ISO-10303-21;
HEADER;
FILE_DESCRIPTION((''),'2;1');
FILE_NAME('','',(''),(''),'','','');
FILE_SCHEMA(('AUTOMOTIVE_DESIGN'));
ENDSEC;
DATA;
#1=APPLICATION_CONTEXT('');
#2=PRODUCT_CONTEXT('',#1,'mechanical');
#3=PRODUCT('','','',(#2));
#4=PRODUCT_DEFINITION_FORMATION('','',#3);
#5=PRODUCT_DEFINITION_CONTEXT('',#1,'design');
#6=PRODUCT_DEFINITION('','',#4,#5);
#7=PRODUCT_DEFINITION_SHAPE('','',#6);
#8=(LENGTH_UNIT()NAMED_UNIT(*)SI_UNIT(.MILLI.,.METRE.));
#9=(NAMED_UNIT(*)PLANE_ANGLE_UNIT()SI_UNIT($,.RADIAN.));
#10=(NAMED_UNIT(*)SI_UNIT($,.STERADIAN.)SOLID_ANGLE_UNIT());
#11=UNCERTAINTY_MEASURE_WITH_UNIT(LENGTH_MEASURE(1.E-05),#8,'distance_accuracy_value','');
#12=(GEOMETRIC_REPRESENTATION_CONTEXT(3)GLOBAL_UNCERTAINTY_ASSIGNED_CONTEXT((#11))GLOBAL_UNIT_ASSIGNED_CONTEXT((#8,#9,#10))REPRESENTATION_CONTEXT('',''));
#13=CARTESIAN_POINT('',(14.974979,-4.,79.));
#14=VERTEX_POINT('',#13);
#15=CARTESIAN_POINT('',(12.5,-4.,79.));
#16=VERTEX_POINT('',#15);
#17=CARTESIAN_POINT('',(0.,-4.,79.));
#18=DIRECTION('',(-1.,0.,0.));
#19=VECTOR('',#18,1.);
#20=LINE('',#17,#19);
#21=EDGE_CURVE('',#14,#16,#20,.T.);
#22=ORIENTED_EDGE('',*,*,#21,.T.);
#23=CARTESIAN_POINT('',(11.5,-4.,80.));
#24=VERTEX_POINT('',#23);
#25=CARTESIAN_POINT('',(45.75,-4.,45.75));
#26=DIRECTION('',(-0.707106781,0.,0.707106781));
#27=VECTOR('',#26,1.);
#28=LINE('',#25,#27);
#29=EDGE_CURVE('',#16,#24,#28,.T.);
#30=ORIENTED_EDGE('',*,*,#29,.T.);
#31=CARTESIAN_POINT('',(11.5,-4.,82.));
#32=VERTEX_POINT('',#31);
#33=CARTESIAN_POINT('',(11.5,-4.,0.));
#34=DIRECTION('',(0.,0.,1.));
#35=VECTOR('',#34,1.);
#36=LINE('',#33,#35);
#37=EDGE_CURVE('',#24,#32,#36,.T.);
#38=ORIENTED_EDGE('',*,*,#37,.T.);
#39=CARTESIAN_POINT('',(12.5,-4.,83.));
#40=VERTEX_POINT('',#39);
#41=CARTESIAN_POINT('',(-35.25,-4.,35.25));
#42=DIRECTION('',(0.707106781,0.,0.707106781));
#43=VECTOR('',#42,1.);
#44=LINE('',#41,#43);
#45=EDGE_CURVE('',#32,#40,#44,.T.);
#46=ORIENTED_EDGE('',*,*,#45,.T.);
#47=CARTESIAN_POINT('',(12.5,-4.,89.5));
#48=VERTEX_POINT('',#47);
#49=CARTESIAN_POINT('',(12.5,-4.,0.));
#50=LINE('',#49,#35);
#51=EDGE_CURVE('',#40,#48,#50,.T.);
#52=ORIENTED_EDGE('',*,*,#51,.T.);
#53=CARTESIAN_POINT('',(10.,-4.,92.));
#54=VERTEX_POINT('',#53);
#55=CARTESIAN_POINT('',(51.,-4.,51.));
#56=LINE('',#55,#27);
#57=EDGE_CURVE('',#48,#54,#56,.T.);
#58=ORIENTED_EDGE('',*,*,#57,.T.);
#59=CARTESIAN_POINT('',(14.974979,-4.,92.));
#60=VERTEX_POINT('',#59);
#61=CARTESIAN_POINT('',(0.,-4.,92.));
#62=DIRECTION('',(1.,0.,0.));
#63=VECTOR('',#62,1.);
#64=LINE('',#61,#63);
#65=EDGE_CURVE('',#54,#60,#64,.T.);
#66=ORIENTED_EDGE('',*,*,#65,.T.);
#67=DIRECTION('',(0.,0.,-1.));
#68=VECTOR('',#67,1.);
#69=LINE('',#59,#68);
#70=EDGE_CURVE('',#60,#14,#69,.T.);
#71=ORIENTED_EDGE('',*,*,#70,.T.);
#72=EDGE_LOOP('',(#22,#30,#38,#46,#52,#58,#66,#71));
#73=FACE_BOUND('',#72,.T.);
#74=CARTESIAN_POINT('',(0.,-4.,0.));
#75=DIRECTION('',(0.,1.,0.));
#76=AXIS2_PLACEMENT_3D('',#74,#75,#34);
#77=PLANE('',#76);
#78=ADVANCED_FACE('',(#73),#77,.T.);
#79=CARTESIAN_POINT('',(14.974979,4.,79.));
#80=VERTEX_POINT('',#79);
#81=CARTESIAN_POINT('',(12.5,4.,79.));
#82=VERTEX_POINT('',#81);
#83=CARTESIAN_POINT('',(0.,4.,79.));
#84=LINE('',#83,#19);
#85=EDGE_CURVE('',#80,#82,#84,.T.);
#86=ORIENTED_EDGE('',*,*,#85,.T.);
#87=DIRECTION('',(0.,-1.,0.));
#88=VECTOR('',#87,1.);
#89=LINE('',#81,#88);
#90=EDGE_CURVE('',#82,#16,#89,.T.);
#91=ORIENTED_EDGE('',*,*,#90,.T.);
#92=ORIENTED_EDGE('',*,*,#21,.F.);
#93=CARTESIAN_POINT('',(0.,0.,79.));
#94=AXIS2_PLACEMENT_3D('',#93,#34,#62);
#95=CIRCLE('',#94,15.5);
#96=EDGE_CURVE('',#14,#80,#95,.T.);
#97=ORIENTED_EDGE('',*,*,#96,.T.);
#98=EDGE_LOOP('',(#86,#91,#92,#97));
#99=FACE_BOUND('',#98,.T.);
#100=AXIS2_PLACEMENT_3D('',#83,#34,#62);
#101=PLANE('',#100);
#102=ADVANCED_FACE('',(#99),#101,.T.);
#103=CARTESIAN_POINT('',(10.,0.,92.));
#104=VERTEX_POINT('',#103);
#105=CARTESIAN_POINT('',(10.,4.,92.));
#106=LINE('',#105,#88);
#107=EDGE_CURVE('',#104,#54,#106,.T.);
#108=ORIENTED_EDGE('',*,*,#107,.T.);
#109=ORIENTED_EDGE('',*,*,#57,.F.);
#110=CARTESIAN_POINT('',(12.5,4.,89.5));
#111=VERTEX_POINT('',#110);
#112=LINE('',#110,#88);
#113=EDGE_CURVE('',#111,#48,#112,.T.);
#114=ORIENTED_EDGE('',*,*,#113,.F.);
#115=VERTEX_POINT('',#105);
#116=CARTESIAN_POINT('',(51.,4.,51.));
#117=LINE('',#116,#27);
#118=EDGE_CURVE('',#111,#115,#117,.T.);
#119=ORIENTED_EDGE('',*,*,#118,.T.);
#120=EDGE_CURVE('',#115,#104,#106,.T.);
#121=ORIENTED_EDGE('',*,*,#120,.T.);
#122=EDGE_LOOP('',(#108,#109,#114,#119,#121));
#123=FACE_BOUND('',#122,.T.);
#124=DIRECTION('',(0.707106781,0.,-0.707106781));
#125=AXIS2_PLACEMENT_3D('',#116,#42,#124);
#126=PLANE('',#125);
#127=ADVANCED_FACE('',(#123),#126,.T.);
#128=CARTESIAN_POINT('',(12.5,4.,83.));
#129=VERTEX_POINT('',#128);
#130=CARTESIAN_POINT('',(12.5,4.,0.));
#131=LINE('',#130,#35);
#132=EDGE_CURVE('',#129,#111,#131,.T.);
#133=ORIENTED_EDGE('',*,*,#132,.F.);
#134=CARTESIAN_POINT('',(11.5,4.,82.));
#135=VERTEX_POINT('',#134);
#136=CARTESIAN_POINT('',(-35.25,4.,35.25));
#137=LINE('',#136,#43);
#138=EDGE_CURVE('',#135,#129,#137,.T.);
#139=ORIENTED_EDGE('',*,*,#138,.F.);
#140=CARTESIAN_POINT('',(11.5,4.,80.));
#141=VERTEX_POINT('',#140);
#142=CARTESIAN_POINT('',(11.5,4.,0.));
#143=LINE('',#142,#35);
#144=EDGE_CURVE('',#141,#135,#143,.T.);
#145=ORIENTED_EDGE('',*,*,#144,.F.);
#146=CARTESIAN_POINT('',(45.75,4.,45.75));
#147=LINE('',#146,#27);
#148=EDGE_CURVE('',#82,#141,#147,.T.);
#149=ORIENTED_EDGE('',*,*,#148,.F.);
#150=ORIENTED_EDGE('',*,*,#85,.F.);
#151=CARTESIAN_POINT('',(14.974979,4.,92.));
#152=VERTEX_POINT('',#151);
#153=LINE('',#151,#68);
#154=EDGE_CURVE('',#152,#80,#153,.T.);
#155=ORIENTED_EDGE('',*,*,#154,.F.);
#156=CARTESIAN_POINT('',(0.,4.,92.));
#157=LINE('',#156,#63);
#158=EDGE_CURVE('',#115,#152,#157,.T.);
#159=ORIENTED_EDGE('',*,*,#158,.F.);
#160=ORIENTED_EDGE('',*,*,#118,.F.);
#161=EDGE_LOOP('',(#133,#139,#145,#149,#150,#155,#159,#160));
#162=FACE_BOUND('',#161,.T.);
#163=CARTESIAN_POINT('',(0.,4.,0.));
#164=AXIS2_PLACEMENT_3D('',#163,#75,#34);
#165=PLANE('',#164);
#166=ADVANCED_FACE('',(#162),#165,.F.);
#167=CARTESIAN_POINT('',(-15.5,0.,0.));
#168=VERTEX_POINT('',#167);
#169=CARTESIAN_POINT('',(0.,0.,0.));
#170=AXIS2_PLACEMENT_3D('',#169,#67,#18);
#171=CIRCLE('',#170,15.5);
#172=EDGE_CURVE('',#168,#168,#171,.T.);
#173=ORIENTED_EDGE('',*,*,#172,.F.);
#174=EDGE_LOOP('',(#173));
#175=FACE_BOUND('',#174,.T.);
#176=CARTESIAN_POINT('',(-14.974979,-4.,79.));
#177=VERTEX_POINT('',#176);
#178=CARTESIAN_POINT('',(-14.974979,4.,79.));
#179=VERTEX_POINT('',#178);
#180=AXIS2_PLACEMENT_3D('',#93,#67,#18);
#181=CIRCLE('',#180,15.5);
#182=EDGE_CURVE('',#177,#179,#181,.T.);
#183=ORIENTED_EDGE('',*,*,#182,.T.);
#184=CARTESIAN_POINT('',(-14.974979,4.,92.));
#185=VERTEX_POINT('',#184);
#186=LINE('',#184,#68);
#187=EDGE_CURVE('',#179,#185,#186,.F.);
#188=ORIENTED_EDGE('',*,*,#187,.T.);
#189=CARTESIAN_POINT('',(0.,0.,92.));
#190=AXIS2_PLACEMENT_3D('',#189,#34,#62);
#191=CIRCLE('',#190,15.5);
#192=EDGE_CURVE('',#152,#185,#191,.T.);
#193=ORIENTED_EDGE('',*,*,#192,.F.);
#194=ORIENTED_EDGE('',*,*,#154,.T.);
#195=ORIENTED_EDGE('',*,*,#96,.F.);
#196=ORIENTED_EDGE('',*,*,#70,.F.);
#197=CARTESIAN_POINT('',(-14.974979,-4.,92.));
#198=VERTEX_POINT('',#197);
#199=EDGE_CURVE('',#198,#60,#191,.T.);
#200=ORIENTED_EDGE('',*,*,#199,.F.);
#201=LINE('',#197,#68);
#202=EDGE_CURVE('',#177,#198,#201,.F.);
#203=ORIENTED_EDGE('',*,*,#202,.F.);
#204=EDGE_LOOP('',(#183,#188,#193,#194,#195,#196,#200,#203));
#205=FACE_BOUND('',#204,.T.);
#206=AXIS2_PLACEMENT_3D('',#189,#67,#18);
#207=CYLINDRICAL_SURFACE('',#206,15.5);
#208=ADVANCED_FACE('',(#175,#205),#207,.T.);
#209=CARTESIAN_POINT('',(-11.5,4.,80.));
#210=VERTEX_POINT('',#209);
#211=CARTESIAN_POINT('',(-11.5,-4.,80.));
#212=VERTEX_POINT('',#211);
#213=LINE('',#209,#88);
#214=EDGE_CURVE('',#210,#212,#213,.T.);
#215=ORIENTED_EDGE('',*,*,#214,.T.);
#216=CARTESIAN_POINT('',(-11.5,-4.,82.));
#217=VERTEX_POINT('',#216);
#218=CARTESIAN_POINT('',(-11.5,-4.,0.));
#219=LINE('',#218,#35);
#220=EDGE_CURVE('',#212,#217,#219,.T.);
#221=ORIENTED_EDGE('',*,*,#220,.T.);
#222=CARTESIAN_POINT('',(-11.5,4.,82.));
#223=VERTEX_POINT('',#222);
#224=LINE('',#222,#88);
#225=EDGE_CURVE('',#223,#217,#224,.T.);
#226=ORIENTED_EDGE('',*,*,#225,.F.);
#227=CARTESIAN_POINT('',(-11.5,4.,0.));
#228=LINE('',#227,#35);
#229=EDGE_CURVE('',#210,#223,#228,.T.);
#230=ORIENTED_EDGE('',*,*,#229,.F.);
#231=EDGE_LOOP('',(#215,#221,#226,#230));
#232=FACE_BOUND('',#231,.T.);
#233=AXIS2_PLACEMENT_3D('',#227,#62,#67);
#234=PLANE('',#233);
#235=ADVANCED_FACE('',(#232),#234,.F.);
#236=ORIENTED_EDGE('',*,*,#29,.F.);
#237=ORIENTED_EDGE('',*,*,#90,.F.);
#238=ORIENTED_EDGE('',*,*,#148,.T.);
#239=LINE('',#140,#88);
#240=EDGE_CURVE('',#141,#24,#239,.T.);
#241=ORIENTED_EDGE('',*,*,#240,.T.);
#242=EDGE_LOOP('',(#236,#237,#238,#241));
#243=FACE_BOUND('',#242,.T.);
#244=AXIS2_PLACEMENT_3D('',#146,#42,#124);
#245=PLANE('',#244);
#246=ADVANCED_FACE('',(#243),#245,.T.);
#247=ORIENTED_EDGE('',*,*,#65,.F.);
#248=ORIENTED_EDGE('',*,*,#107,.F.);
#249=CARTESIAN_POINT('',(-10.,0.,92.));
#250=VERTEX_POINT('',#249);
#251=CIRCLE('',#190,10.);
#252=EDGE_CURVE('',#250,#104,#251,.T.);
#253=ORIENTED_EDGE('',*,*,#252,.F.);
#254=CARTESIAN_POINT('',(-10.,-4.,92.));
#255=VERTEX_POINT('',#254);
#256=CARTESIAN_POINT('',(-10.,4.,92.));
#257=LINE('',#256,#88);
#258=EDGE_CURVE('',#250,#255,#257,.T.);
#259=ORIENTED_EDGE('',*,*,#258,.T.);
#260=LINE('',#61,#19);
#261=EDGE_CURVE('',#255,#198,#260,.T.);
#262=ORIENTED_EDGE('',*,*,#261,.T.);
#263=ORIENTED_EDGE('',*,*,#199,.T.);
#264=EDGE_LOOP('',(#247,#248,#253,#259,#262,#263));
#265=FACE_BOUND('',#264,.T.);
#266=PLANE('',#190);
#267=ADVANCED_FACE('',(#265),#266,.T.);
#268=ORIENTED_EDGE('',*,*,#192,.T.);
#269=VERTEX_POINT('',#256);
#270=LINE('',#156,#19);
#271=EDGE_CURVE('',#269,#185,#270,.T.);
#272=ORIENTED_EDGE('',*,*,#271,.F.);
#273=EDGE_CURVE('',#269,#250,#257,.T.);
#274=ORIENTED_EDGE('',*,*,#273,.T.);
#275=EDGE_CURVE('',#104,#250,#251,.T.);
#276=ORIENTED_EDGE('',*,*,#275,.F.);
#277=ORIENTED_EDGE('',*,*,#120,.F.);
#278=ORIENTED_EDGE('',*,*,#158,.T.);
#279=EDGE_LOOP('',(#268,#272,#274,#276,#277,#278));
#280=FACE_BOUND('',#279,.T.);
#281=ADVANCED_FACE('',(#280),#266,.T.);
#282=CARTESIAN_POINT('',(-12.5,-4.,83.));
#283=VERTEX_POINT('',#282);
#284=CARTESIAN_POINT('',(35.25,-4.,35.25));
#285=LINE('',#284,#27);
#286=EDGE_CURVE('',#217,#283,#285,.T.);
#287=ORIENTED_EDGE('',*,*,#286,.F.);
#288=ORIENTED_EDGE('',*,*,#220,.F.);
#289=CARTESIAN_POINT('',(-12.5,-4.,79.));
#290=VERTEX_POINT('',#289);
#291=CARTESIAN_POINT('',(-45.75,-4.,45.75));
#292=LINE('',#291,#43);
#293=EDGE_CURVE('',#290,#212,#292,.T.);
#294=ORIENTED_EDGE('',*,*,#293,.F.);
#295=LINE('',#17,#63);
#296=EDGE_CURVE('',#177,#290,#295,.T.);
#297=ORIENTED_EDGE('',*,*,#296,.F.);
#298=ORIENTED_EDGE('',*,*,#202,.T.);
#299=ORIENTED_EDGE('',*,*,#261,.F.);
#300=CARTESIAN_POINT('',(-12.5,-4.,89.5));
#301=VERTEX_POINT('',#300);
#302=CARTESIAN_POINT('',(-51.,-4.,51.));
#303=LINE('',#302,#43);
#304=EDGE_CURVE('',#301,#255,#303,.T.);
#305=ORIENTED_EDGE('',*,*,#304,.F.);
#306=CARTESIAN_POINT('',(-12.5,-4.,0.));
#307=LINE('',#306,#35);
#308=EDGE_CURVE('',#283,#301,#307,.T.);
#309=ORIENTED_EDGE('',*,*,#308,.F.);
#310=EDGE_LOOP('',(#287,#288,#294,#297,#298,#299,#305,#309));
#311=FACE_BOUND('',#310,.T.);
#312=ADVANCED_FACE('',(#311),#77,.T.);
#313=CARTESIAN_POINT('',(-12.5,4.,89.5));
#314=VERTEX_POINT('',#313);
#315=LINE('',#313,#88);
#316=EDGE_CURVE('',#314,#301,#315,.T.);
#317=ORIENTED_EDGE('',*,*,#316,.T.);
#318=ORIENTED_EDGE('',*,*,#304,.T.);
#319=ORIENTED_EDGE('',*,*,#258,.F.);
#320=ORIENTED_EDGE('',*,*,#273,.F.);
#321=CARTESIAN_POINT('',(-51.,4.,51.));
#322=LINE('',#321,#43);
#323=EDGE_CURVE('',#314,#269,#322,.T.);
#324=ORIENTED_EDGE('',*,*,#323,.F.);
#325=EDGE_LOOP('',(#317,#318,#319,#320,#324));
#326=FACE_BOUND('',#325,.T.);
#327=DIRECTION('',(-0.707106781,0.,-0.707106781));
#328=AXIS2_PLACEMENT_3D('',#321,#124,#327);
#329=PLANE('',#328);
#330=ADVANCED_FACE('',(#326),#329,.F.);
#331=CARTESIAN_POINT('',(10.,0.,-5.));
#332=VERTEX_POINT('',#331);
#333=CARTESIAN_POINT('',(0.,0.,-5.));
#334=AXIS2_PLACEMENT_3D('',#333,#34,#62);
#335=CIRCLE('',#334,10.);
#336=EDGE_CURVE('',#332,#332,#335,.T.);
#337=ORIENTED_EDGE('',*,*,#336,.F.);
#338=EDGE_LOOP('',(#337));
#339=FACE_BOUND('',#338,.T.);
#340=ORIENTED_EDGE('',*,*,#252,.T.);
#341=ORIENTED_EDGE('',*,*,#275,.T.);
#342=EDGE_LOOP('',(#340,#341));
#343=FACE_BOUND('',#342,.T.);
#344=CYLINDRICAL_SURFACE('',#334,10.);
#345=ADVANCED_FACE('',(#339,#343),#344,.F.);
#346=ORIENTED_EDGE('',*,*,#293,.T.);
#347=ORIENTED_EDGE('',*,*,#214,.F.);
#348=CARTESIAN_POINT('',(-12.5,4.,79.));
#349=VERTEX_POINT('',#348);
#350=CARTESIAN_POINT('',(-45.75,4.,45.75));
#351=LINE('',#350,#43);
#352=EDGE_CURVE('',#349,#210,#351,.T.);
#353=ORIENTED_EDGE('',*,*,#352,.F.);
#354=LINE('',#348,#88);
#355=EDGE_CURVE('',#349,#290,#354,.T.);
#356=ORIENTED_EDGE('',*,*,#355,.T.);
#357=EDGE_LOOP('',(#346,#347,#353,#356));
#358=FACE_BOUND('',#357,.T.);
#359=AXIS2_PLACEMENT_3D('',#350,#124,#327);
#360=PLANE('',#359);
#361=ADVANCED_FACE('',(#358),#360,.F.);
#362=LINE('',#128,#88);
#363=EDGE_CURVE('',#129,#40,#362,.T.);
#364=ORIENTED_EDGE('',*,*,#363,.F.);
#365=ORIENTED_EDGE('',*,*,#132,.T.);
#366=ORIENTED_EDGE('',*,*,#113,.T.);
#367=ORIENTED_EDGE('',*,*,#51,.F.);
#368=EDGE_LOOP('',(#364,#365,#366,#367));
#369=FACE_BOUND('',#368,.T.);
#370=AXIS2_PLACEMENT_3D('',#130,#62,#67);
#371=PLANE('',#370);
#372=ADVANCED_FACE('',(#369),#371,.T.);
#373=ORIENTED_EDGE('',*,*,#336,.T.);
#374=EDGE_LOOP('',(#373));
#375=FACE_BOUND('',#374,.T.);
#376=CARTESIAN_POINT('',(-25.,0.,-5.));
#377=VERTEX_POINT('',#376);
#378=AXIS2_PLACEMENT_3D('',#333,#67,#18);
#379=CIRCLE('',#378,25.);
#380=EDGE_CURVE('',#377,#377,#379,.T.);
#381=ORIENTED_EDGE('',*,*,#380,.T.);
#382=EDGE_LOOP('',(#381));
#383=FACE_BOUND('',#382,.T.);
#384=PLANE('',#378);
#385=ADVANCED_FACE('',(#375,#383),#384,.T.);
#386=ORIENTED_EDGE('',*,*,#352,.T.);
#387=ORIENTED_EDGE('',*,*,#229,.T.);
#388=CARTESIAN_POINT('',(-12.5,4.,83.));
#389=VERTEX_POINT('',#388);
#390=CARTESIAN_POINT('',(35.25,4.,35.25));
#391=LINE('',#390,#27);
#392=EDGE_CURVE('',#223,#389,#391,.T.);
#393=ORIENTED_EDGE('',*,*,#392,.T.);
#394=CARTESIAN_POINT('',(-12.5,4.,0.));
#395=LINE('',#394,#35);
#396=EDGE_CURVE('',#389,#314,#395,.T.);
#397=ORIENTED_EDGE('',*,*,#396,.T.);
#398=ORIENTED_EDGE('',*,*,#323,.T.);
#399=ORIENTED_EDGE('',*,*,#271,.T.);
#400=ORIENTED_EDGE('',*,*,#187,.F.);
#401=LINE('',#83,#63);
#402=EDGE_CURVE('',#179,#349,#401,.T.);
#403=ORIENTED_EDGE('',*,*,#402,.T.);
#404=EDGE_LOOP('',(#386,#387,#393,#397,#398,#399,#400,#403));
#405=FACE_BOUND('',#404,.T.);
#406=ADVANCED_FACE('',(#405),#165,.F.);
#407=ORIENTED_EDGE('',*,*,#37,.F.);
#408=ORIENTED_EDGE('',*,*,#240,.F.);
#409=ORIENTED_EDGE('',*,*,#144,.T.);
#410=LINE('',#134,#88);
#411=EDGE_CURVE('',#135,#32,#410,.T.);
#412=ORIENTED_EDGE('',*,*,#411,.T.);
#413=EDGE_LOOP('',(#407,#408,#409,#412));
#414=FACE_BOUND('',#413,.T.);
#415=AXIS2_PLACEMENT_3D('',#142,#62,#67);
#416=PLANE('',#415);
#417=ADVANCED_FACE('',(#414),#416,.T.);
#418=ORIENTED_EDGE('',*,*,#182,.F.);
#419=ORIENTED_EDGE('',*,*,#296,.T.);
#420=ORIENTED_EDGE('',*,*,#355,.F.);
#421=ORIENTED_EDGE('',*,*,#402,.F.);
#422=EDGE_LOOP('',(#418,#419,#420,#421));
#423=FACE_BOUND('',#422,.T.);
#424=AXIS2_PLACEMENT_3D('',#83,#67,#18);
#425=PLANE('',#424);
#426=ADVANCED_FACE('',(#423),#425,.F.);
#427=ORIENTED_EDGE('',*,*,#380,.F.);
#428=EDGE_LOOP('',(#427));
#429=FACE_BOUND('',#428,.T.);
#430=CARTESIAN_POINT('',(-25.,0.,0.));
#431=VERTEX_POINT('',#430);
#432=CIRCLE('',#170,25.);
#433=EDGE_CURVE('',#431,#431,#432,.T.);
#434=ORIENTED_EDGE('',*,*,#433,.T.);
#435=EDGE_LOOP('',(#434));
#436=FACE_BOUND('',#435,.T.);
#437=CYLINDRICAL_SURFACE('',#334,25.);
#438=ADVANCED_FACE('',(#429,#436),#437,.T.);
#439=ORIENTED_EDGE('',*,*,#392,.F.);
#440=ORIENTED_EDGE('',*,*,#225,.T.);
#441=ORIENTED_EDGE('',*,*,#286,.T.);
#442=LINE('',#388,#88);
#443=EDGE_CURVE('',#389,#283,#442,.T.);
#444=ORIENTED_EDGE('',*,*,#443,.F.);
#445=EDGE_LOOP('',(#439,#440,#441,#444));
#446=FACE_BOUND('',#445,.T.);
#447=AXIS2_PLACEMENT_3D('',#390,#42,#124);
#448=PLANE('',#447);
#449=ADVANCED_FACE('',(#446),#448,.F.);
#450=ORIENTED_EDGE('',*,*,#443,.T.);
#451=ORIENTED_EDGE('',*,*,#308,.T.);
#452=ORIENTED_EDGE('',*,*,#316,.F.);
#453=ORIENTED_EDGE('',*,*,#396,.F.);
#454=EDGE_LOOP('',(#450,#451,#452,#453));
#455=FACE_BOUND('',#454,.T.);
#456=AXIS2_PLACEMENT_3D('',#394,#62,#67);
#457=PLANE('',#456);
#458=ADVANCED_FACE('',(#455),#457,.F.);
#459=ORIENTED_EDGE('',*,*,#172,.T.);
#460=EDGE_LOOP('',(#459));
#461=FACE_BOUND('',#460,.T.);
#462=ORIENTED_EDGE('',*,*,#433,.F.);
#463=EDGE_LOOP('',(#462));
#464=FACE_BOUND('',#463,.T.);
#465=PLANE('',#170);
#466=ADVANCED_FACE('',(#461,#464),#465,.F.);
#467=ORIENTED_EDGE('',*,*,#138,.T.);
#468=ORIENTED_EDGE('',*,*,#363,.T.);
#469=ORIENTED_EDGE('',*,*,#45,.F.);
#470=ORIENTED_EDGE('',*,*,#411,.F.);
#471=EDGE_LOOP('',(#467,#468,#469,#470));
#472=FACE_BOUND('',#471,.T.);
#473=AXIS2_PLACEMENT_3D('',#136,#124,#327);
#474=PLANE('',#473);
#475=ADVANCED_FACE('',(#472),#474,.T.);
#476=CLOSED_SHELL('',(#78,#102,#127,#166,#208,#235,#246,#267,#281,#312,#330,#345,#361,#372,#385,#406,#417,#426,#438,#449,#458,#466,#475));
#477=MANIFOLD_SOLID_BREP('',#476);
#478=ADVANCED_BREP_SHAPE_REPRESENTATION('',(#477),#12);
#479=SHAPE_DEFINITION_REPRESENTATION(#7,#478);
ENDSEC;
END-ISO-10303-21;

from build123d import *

# Parameters (mm, degrees)
AXLE_BASE_SKETCH_R        = 15.5
AXLE_DEPTH                = 92
GUARD_BASE_R              = 25
GUARD_DEPTH               = 5
INNER_AXLE_HOLE_BASE_R    = 10
INNER_AXLE_HOLE_DEPTH     = 104.242433137
COUPLING_TOOTH_HOLE_DEPTH = 4


with BuildPart() as part:
    # Axle base sketch → Axle (new body)
    with BuildSketch(Plane.XY):
        Circle(AXLE_BASE_SKETCH_R)
    extrude(amount=AXLE_DEPTH)

    # Guard base → Guard (add)
    with BuildSketch(Plane(origin=(0, 0, 0), x_dir=(-1, 0, 0), z_dir=(0, 0, -1))):
        Circle(GUARD_BASE_R)
    extrude(amount=GUARD_DEPTH)

    # Inner axle hole base → Inner axle hole (cut, through all)
    with BuildSketch(Plane.XY.offset(92)):
        Circle(INNER_AXLE_HOLE_BASE_R)
    extrude(amount=-INNER_AXLE_HOLE_DEPTH, mode=Mode.SUBTRACT)

    # Coupling tooth base → Coupling tooth hole (cut, symmetric)
    with BuildSketch(Plane(origin=(0, 0, 0), x_dir=(1, 0, 0), z_dir=(0, 1, 0))):
        Polygon((12.5, -89.5), (10, -92), (15.5, -92), (15.5, -79), (12.5, -79), (11.5, -80), (11.5, -82), (12.5, -83), align=None)
    coupling_tooth_hole = extrude(amount=COUPLING_TOOTH_HOLE_DEPTH, both=True, mode=Mode.SUBTRACT)

    # Coupling teeth: Coupling tooth hole across plane
    add(coupling_tooth_hole.mirror(Plane(origin=(0, 0, 0), x_dir=(0, 0, 1), z_dir=(1, 0, 0))), mode=Mode.SUBTRACT)


solid = part.part
